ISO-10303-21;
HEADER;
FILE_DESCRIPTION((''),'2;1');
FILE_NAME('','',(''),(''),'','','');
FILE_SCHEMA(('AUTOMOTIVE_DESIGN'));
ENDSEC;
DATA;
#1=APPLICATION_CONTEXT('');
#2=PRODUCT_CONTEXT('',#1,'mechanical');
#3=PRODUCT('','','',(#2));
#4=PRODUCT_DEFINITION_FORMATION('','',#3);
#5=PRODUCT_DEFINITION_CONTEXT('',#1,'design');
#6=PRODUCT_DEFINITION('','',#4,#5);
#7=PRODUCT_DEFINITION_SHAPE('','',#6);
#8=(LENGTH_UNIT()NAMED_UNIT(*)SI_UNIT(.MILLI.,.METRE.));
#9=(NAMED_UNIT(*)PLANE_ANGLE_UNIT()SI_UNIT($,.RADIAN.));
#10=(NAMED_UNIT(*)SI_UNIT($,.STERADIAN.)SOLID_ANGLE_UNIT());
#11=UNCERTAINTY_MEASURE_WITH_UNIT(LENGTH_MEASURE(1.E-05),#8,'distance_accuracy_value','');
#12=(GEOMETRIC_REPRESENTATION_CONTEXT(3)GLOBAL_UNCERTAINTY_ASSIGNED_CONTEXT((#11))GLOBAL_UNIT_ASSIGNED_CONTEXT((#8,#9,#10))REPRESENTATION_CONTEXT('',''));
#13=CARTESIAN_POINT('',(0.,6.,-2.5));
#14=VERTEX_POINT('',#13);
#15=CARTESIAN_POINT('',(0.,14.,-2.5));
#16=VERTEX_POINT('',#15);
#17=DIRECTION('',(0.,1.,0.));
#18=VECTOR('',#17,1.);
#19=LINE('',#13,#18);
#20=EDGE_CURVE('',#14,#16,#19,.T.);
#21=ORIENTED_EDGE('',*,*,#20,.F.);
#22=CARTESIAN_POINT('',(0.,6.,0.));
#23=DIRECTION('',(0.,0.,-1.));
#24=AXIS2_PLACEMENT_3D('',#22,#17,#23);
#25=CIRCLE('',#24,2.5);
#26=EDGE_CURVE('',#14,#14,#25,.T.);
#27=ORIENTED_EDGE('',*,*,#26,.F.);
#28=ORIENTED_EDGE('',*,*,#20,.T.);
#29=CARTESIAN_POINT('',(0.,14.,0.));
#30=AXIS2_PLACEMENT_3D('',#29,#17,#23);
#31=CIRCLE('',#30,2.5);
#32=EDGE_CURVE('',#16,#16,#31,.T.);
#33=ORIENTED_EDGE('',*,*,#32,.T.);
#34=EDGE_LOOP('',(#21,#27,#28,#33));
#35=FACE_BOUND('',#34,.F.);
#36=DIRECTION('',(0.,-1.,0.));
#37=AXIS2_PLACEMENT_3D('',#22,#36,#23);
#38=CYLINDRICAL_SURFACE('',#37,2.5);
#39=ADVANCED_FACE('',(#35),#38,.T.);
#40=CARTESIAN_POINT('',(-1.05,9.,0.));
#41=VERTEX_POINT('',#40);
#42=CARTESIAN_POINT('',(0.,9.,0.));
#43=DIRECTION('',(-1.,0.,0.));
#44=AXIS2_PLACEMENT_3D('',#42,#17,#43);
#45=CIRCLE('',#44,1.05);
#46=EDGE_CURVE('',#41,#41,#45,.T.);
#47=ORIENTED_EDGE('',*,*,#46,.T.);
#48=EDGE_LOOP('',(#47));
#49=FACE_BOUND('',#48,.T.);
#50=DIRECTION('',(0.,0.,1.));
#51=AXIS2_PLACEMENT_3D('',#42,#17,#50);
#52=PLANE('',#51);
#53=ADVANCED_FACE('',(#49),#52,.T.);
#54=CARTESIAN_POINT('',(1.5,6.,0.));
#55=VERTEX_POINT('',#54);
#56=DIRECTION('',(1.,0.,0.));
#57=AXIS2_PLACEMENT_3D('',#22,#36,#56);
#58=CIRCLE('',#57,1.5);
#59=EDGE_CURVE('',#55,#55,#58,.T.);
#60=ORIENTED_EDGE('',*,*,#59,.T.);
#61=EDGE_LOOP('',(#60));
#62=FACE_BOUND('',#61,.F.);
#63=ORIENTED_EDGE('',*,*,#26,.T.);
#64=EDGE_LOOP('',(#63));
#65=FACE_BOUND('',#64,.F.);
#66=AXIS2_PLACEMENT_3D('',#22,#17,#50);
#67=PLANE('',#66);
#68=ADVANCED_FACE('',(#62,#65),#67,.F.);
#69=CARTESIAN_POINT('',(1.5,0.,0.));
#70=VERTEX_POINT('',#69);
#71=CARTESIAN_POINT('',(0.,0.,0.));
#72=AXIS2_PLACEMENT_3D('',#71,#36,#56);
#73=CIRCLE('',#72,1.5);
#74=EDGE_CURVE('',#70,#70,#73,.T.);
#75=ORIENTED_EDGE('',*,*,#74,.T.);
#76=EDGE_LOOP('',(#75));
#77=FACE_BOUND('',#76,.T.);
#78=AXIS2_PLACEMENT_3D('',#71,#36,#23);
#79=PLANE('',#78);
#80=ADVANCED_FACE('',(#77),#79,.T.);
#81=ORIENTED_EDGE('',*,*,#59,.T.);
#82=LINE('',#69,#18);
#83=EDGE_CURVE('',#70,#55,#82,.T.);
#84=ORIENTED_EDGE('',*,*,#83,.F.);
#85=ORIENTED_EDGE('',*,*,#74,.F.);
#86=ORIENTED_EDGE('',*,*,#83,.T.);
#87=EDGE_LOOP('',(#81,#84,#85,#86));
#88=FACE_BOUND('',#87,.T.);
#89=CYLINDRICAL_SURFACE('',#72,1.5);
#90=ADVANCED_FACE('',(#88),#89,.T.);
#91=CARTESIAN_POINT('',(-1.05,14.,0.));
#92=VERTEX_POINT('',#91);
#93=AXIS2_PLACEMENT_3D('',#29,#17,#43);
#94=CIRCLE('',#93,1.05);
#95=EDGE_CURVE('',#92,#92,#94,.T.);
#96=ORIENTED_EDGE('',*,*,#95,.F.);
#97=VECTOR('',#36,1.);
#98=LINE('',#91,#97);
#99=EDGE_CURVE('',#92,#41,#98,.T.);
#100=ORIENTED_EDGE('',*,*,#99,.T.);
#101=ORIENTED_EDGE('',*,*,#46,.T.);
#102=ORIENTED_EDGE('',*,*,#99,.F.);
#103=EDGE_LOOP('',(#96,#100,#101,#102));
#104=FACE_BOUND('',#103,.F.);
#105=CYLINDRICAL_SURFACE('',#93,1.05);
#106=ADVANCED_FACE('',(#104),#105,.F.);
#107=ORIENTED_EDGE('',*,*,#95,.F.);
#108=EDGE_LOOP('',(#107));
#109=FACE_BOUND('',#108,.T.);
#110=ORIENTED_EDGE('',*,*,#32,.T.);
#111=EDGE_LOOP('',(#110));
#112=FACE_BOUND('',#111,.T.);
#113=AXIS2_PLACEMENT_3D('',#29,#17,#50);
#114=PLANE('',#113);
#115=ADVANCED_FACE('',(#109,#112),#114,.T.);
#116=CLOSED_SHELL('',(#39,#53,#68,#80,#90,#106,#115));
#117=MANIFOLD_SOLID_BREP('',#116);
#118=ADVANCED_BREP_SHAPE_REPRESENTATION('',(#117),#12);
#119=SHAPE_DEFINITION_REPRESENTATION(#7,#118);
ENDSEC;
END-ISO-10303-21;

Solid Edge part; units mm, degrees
sketch "Sketch1" plane through (0, 0, 0) normal (0, -1, 0) x (1, 0, 0)
  circle A0 centre (0, 0) radius 1.5
extrude "Protrusion1" add sketch "Sketch1" against normal blind 6
sketch "Sketch2" plane through (0, 6, 0) normal (0, 1, 0) x (0, 0, -1)
  circle A0 centre (0, 0) radius 2.5
extrude "ExtrudedProtrusion_2" add sketch "Sketch2" along normal blind 8
sketch "Sketch3" plane through (0, 14, 0) normal (0, 1, 0) x (-1, 0, 0)
  circle A0 centre (0, 0) radius 1.05
extrude "ExtrudedCutout_1" cut sketch "Sketch3" against normal blind 5
